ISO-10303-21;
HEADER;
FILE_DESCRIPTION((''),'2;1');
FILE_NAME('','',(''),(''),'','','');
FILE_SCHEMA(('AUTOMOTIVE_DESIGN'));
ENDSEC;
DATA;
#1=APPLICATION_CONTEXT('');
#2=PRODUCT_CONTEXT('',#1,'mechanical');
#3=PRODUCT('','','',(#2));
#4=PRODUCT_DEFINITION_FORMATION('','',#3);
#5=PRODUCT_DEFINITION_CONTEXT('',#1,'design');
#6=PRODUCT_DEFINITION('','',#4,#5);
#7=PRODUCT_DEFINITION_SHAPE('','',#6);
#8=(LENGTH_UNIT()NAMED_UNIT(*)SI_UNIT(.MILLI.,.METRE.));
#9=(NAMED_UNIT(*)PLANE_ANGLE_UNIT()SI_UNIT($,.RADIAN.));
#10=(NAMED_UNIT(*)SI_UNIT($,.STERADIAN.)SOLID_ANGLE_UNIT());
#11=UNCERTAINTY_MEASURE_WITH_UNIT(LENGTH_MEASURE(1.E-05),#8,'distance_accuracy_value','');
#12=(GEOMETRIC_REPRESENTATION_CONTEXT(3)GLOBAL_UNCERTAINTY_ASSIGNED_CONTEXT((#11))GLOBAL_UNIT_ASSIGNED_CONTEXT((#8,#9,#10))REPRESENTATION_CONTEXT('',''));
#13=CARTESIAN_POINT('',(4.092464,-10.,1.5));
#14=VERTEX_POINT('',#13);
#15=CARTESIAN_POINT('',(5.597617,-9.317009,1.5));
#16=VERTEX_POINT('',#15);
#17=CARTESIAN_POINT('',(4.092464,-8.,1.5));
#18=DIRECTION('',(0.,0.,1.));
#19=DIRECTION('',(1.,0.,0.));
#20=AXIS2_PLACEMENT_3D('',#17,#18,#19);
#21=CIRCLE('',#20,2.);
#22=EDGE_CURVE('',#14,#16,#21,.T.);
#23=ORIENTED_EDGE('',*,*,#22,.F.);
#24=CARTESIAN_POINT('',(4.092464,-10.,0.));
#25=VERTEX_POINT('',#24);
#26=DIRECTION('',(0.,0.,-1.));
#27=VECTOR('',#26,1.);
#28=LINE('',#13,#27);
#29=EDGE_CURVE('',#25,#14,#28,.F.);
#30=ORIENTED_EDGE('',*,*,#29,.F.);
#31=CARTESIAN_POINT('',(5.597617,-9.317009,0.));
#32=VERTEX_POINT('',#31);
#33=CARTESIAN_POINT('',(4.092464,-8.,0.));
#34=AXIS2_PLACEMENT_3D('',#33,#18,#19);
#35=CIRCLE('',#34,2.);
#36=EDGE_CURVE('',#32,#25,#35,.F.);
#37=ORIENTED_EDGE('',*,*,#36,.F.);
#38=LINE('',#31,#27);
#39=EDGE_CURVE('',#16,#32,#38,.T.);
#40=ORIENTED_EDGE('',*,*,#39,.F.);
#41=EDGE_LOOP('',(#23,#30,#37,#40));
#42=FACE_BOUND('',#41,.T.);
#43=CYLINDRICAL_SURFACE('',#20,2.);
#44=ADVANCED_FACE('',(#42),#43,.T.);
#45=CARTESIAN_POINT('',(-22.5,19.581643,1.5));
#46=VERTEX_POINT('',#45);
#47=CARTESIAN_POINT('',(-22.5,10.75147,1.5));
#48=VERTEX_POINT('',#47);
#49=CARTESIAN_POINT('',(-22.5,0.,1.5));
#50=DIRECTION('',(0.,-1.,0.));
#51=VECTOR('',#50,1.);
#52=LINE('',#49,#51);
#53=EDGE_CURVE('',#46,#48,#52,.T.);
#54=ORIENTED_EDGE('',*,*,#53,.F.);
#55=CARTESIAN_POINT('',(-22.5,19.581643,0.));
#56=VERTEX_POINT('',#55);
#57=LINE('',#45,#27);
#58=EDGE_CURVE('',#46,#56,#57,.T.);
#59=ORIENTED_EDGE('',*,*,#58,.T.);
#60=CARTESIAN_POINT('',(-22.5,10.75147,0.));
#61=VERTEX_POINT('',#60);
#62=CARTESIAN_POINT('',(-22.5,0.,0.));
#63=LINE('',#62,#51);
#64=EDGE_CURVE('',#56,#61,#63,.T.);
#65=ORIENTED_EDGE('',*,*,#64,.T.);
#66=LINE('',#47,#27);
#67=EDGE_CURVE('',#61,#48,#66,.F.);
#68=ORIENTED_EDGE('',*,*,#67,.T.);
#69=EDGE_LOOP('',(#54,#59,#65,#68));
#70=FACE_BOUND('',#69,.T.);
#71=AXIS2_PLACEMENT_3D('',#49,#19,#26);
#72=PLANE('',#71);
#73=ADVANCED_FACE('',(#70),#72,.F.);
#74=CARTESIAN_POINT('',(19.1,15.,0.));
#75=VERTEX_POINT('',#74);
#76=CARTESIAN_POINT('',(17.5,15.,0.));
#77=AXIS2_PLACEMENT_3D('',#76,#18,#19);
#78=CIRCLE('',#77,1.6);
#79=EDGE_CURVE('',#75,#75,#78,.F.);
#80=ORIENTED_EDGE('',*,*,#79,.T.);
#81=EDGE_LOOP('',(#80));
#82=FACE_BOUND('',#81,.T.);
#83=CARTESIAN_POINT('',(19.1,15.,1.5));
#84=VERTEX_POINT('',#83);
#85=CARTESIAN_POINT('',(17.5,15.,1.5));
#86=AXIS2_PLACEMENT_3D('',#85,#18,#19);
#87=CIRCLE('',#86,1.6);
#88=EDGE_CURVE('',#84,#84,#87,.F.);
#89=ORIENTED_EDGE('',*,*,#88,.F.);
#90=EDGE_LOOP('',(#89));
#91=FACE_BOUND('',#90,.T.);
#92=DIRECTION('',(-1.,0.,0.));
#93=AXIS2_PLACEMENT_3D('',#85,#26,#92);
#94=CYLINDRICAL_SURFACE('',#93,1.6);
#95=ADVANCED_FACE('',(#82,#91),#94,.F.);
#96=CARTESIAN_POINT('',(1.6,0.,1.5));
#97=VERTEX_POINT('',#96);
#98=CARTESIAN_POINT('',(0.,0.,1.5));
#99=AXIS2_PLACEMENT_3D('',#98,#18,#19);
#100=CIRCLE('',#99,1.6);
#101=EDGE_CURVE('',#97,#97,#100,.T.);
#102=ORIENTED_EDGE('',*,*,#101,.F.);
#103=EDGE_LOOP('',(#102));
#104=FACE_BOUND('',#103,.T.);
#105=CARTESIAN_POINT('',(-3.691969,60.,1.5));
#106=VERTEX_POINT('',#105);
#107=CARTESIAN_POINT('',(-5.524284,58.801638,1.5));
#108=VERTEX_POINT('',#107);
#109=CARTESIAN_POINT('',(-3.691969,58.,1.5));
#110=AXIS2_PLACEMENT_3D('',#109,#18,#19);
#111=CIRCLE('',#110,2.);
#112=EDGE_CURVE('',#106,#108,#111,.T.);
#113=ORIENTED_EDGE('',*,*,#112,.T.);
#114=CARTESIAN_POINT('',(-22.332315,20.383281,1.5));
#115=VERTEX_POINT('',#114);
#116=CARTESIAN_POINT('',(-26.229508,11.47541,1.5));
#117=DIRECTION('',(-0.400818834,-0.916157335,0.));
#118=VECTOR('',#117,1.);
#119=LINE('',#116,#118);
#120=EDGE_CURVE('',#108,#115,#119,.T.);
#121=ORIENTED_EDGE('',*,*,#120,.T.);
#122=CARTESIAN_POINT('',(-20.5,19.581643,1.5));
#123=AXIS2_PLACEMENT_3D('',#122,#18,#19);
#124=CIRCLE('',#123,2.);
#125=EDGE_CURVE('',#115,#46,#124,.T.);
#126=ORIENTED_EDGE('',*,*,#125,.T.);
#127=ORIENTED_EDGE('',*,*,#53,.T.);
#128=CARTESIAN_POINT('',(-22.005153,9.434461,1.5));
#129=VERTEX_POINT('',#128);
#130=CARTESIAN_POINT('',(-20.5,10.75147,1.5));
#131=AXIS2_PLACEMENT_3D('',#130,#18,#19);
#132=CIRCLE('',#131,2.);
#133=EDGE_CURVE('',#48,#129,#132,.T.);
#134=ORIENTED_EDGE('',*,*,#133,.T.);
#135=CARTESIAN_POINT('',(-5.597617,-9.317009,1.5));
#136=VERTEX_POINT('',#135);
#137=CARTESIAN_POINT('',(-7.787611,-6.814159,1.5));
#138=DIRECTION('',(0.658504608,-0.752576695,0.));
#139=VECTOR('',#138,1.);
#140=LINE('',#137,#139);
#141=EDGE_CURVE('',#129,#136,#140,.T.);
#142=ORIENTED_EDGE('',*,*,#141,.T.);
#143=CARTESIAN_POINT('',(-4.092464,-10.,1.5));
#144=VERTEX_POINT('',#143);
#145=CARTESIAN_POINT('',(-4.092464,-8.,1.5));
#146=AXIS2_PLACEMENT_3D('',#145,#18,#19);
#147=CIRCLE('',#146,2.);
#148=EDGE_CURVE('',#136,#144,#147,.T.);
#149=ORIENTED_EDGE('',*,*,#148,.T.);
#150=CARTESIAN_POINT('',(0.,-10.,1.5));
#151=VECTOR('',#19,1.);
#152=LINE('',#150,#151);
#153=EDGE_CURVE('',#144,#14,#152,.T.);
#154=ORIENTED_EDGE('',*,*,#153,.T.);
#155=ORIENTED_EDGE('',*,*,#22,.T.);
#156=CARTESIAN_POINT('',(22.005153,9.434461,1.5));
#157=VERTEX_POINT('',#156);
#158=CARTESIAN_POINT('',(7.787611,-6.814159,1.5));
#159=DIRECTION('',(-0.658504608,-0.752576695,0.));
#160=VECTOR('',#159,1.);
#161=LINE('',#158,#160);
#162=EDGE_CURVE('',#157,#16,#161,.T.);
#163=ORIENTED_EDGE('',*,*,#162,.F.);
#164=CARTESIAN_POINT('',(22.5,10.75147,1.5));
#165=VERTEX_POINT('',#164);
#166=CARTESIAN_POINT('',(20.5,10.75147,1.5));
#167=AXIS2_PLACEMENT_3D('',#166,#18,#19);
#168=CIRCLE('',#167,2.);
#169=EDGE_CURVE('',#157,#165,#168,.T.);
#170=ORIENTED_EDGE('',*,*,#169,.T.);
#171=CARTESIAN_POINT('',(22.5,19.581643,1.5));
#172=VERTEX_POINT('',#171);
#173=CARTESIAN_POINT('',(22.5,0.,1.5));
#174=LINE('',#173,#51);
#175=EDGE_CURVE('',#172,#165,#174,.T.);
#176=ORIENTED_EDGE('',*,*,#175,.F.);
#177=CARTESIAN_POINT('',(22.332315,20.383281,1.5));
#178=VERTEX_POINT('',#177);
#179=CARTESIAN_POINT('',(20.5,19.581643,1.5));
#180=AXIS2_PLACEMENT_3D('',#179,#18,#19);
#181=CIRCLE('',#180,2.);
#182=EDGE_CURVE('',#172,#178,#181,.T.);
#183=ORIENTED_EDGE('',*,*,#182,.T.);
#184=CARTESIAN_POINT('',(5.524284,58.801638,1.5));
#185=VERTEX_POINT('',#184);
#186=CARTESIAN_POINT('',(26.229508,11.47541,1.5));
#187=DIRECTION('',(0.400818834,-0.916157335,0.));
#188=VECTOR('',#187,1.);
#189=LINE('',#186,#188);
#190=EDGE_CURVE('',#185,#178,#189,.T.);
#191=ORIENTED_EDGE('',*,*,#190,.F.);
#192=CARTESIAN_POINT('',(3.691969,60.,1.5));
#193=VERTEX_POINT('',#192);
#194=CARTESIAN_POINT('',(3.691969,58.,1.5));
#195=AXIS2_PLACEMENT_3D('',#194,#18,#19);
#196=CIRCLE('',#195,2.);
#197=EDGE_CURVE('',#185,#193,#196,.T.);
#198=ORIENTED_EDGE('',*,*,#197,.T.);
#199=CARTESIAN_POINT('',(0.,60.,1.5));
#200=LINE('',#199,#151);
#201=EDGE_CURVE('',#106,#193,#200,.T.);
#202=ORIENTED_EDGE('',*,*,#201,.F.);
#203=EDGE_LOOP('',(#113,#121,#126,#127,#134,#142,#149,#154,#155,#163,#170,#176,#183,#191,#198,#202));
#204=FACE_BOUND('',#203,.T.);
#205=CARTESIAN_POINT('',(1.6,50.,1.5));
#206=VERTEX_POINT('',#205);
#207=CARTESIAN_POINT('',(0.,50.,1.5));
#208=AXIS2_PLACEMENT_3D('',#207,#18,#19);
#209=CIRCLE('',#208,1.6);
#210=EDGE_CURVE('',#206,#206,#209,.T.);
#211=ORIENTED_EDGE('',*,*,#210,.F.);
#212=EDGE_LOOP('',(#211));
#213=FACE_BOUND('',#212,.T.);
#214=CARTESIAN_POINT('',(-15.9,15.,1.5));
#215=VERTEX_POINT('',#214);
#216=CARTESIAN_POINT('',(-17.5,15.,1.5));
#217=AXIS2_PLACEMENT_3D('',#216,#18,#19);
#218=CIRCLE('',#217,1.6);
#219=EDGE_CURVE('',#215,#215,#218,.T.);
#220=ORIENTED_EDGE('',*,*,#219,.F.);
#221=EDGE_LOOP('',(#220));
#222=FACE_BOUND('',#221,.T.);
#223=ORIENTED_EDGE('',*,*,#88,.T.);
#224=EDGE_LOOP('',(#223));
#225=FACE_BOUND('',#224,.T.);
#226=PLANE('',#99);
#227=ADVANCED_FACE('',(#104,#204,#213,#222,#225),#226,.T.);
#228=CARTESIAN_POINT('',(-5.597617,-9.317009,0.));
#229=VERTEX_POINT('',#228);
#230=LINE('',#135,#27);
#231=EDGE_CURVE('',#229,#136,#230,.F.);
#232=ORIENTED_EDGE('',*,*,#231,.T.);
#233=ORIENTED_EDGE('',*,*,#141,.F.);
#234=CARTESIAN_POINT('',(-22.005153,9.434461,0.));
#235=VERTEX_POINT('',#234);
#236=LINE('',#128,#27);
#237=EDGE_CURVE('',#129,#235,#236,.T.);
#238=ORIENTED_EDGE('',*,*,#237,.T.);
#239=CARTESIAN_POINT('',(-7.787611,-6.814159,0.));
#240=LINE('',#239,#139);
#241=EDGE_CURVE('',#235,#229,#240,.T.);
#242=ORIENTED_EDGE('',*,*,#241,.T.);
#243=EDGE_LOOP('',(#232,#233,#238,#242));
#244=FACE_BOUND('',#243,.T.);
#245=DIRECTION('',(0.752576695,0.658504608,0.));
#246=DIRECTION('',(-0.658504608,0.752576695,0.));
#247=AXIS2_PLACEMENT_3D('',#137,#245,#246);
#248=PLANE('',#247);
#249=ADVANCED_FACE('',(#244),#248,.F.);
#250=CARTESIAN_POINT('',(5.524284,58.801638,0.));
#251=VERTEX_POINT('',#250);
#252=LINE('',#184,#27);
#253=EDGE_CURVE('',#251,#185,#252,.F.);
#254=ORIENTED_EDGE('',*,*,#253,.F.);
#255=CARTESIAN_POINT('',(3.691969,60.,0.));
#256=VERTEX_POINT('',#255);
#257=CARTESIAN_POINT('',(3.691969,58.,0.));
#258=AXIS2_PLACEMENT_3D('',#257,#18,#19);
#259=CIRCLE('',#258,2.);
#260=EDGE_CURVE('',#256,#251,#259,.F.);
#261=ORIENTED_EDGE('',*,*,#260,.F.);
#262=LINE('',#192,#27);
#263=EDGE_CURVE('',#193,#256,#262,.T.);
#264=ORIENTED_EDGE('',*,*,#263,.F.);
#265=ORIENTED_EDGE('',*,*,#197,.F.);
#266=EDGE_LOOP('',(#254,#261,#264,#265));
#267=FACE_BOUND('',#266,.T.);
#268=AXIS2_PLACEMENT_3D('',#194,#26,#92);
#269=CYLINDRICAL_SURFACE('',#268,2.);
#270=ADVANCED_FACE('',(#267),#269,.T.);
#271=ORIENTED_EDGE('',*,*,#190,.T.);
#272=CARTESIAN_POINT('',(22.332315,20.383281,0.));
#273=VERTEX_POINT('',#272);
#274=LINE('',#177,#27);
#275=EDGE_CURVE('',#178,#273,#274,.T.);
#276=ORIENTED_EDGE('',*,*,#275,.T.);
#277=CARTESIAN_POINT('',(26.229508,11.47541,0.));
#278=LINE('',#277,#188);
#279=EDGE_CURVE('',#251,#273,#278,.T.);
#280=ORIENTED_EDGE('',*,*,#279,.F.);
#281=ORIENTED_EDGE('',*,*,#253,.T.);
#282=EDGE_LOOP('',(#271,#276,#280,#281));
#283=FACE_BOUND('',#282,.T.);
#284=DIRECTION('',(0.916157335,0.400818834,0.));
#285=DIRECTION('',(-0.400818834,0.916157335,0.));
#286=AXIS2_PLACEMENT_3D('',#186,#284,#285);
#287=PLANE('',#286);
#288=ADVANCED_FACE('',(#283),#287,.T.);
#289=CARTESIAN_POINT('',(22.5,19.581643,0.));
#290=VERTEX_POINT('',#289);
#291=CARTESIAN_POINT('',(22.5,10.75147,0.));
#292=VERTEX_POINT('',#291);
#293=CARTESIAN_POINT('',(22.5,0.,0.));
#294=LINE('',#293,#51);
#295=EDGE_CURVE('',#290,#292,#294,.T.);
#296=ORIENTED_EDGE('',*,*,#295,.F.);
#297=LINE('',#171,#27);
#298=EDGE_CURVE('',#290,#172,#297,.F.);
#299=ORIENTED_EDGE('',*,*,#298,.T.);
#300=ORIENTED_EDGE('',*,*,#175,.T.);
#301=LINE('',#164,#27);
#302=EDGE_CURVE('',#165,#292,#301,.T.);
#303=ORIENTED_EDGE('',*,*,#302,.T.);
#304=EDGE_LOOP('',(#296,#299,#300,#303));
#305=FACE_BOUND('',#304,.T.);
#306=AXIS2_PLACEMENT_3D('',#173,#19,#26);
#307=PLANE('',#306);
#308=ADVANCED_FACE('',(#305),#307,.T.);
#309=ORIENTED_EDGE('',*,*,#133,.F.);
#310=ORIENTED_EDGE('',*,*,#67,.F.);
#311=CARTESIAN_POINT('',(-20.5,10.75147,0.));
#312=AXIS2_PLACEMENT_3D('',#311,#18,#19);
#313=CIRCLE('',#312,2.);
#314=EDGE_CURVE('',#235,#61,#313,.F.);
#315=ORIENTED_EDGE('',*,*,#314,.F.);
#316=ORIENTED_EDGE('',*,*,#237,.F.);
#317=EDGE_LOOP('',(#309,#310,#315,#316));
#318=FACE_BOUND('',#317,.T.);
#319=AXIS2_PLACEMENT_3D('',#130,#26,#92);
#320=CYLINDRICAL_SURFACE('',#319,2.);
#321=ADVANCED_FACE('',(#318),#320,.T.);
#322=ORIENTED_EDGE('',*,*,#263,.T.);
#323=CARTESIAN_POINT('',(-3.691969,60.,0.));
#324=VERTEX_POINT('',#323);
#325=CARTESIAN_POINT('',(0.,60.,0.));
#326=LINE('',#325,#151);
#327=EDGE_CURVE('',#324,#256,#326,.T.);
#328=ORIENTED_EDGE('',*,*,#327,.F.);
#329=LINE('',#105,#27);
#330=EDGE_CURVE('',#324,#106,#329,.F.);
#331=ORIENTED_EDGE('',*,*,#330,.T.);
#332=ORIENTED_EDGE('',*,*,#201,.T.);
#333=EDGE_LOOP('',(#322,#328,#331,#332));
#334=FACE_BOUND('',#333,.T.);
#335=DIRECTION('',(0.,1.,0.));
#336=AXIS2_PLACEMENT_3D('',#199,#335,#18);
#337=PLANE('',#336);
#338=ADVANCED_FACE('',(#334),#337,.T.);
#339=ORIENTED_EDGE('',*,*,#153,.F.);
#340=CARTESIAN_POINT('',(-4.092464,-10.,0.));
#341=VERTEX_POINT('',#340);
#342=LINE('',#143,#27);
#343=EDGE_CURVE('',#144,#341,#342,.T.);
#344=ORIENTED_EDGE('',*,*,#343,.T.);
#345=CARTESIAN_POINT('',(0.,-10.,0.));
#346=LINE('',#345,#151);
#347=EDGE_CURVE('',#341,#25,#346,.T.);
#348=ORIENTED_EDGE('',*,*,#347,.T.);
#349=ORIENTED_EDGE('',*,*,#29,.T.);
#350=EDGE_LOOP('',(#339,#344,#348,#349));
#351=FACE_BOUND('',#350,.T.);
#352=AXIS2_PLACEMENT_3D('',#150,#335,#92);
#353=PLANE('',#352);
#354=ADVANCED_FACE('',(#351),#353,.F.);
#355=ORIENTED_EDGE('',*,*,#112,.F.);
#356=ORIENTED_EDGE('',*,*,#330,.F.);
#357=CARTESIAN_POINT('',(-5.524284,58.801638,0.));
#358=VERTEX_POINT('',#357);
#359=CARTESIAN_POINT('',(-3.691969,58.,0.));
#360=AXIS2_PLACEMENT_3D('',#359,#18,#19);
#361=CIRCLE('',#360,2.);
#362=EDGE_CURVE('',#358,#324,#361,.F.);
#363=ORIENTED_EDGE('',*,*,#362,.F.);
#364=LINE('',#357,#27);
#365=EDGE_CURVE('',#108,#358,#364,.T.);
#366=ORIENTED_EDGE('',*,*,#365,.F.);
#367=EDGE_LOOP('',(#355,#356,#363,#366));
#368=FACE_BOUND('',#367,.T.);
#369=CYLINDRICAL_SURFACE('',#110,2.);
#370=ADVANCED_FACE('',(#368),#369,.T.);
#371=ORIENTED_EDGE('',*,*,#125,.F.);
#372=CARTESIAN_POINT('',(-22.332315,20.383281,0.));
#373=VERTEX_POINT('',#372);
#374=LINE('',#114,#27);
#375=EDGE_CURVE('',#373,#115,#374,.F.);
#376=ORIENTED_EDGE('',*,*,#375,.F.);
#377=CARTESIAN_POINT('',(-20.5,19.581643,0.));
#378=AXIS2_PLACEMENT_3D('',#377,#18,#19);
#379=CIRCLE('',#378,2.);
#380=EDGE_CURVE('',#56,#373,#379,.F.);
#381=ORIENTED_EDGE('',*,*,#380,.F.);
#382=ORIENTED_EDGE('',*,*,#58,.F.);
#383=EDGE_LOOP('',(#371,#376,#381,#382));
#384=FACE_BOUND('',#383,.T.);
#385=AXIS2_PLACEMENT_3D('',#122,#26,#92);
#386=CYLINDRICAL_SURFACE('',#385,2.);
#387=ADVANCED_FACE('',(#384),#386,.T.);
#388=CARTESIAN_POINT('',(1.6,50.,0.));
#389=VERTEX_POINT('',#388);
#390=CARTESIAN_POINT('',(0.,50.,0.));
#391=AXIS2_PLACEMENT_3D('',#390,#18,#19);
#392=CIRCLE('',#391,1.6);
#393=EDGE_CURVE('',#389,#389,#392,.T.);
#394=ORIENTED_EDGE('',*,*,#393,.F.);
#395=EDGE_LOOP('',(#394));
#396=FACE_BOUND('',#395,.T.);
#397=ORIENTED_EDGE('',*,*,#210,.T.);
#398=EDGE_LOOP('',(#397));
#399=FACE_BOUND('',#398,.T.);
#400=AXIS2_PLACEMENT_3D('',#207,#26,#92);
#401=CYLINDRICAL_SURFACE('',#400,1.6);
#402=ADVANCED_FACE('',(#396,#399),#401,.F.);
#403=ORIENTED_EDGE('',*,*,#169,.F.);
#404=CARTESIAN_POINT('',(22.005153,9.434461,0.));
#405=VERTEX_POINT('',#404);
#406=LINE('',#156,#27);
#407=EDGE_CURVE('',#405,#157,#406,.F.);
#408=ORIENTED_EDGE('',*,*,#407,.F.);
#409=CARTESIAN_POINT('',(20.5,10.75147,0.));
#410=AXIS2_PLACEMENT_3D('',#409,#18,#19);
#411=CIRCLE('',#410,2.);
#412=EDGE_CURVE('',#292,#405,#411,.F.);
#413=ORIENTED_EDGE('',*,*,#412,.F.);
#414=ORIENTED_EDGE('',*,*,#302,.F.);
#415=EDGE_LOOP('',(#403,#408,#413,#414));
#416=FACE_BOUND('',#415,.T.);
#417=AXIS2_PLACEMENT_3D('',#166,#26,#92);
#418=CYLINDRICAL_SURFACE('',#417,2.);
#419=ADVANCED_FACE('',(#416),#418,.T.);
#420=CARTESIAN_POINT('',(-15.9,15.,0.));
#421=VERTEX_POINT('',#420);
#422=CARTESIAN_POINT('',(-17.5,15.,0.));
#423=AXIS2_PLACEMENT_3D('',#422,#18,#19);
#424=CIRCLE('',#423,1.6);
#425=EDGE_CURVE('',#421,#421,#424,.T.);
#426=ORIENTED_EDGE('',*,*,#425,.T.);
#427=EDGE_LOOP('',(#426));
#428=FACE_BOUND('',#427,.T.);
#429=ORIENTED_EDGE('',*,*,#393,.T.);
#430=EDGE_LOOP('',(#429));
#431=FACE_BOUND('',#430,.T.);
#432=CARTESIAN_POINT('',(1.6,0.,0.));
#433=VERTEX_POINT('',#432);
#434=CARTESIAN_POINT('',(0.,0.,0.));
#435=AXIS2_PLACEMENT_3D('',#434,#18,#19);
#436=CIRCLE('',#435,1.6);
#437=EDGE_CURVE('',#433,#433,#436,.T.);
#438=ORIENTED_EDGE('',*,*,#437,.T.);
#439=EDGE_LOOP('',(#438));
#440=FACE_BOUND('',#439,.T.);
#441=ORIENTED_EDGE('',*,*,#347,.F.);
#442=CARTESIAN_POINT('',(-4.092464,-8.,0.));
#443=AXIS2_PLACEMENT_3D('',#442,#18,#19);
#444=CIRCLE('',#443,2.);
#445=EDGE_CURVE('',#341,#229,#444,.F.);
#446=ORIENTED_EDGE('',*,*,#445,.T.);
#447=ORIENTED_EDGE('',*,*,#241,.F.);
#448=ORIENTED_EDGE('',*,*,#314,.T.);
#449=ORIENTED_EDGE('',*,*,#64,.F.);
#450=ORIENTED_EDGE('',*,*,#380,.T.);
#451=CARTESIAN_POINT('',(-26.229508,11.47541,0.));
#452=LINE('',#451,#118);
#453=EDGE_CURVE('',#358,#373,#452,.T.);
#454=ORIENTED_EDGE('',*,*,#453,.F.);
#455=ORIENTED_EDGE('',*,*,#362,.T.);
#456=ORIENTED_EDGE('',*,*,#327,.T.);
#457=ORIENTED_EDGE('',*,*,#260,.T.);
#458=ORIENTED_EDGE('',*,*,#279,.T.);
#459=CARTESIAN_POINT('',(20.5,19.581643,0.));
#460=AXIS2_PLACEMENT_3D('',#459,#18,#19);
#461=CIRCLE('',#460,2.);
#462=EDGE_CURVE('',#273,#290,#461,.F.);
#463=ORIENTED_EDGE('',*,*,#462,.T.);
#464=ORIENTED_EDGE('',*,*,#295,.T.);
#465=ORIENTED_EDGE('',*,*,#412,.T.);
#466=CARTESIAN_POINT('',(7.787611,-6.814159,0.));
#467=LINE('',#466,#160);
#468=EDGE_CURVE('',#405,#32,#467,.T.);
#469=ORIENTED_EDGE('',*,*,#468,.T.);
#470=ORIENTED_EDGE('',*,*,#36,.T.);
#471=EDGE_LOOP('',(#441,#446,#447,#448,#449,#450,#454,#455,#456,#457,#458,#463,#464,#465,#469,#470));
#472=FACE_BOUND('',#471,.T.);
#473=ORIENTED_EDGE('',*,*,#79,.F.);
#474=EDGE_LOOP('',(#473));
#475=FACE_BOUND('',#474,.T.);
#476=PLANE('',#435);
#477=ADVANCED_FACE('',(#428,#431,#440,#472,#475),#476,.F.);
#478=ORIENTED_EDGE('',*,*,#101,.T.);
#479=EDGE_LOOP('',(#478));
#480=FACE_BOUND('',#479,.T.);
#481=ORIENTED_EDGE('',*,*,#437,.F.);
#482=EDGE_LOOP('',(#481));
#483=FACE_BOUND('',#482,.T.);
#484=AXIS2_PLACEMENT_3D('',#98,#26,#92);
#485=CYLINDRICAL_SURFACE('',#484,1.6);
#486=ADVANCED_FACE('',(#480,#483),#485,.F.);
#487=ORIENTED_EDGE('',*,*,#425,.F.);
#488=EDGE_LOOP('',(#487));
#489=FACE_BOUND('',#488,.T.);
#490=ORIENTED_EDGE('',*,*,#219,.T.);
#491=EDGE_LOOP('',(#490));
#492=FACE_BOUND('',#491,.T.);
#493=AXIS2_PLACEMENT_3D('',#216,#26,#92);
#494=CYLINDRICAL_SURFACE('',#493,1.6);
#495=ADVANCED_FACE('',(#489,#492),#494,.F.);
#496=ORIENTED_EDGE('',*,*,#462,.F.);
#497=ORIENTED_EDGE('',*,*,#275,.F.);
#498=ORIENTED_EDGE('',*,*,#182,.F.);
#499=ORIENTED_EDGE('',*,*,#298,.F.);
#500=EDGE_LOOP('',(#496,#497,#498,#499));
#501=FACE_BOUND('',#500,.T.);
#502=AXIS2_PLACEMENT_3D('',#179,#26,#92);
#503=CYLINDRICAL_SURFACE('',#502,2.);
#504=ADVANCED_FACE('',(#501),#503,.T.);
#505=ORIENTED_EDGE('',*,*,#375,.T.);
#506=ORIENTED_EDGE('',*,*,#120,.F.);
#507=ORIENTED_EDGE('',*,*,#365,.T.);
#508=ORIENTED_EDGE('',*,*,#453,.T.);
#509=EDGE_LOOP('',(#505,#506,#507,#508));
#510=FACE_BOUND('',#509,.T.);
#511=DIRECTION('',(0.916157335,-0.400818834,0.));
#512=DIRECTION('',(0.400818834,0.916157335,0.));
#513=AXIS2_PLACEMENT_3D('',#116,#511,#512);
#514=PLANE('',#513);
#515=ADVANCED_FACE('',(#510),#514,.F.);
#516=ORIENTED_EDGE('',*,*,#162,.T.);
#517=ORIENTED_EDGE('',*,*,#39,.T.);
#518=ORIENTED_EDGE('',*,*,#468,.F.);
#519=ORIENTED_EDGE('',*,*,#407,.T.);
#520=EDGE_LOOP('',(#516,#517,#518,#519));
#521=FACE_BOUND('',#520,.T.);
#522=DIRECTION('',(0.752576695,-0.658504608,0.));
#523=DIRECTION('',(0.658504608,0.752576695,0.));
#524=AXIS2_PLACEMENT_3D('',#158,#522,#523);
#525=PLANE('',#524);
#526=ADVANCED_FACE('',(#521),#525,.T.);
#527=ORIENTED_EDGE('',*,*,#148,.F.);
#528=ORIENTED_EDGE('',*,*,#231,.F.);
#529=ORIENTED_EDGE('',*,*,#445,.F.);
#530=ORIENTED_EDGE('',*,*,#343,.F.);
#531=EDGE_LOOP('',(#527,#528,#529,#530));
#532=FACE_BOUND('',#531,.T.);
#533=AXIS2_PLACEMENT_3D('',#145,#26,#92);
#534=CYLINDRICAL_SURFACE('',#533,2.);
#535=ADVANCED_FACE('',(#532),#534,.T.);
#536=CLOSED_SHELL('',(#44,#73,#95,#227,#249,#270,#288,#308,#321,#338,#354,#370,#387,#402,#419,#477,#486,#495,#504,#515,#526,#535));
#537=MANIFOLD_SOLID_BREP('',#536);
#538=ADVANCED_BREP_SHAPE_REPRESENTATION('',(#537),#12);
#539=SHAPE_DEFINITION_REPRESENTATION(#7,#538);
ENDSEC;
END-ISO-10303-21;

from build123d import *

# Parameters (mm, degrees)
SKETCH_1_R      = 1.6
EXTRUDE_1_DEPTH = 1.5
FILLET_1_R      = 2


with BuildPart() as part:
    # ｽｹｯﾁ1 → ﾎﾞｽ - 押し出し1 (new body)
    with BuildSketch(Plane.XY):
        Polygon((-5, 60), (-22.5, 20), (-22.5, 10), (-5, -10), (5, -10), (22.5, 10), (22.5, 20), (5, 60), align=None)
        Circle(SKETCH_1_R, mode=Mode.SUBTRACT)
        with Locations((0, 50)):
            Circle(SKETCH_1_R, mode=Mode.SUBTRACT)
        with Locations((-17.5, 15)):
            Circle(SKETCH_1_R, mode=Mode.SUBTRACT)
        with Locations((17.5, 15)):
            Circle(SKETCH_1_R, mode=Mode.SUBTRACT)
    extrude(amount=EXTRUDE_1_DEPTH)

    # ﾌｨﾚｯﾄ1
    fillet_1_edges = [part.edges().sort_by_distance(p)[0] for p in [
        (22.5, 20, 0.75),
        (22.5, 10, 0.75),
        (5, -10, 0.75),
        (-5, -10, 0.75),
        (-22.5, 10, 0.75),
        (-22.5, 20, 0.75),
        (-5, 60, 0.75),
        (5, 60, 0.75),
    ]]
    fillet(fillet_1_edges, radius=FILLET_1_R)


solid = part.part
